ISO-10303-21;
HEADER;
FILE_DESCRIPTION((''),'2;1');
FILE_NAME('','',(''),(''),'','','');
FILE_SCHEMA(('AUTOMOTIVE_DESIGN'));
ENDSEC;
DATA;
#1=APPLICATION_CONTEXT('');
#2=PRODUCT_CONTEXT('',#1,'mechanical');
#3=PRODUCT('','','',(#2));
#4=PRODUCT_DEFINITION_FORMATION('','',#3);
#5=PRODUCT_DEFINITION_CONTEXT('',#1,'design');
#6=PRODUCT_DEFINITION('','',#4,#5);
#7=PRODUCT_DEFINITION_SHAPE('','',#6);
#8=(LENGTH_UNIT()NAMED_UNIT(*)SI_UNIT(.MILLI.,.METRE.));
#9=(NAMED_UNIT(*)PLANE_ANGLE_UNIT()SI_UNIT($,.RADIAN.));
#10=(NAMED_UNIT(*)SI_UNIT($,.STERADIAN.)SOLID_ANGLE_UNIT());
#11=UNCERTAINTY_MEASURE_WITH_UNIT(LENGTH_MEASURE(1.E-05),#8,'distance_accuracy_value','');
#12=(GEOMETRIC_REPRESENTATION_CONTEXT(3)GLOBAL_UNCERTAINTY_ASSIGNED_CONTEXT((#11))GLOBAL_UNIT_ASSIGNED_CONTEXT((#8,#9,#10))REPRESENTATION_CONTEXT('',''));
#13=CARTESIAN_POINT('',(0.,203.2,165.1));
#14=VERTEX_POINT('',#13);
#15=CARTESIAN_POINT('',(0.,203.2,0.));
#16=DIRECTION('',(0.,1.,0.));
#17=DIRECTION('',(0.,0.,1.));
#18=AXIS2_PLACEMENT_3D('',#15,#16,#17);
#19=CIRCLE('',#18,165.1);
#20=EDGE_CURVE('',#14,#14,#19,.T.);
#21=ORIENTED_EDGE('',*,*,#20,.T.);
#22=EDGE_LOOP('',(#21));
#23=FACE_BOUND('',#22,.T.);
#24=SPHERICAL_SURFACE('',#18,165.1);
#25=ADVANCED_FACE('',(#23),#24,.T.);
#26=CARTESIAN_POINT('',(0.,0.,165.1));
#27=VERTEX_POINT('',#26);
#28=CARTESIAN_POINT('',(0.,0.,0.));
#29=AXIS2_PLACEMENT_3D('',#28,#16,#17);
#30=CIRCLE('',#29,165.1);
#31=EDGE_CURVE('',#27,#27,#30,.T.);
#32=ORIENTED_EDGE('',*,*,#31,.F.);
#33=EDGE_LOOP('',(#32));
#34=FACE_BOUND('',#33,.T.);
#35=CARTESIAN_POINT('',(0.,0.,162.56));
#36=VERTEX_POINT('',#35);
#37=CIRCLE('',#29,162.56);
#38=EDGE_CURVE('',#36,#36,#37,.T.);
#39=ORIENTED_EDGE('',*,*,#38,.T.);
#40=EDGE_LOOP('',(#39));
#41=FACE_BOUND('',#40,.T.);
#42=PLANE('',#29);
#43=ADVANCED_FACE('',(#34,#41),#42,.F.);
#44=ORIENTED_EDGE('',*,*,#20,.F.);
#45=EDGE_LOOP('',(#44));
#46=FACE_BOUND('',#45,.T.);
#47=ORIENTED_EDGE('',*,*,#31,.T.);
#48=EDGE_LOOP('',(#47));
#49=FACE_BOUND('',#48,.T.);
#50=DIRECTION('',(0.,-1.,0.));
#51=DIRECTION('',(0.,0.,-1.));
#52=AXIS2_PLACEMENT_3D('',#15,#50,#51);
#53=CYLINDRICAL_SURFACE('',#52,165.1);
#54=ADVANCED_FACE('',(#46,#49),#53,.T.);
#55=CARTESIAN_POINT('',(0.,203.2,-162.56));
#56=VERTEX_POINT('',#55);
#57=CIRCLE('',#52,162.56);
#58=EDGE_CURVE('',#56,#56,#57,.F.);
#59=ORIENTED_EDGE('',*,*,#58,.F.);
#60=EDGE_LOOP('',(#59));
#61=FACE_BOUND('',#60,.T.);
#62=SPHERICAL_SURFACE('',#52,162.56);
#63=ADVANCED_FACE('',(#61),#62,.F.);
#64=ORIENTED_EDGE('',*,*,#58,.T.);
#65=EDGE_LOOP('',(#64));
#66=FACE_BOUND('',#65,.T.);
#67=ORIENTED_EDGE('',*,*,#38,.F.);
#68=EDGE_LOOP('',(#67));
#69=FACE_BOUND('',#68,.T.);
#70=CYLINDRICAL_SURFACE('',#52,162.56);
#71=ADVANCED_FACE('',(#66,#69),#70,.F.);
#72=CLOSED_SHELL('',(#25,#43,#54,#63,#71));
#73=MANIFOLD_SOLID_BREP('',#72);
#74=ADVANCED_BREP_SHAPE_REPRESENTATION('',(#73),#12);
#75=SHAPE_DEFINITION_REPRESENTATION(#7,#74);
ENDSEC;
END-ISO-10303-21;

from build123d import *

# Parameters (mm, degrees)
SKETCH1_R           = 165.1
BOSS_EXTRUDE1_DEPTH = 203.2
REVOLVE1_ANGLE      = 180
SHELL1_T            = -2.54


with BuildPart() as part:
    # Sketch1 → Boss-Extrude1 (new body)
    with BuildSketch(Plane(origin=(0, 0, 0), x_dir=(1, 0, 0), z_dir=(0, 1, 0))):
        with Locations(Location((0, 0, 0), (0, 0, 270))):
            Circle(SKETCH1_R)
    extrude(amount=BOSS_EXTRUDE1_DEPTH)

    # Sketch2 → Revolve1 (revolve)
    with BuildSketch(Plane(origin=(0, 203.2, 0), x_dir=(1, 0, 0), z_dir=(0, 1, 0))):
        with BuildLine():
            Line((0, 165.1), (0, -165.1))
            ThreePointArc((0, -165.1), (165.1, 0), (0, 165.1))
        make_face()
    revolve(axis=Axis((0, 203.2, -165.1), (0, 0, 1)), revolution_arc=REVOLVE1_ANGLE)

    # Shell1
    shell1_openings = [part.faces().sort_by_distance(p)[0] for p in [
        (0, 0, 0),
    ]]
    offset(amount=SHELL1_T, openings=shell1_openings, kind=Kind.INTERSECTION)


solid = part.part
